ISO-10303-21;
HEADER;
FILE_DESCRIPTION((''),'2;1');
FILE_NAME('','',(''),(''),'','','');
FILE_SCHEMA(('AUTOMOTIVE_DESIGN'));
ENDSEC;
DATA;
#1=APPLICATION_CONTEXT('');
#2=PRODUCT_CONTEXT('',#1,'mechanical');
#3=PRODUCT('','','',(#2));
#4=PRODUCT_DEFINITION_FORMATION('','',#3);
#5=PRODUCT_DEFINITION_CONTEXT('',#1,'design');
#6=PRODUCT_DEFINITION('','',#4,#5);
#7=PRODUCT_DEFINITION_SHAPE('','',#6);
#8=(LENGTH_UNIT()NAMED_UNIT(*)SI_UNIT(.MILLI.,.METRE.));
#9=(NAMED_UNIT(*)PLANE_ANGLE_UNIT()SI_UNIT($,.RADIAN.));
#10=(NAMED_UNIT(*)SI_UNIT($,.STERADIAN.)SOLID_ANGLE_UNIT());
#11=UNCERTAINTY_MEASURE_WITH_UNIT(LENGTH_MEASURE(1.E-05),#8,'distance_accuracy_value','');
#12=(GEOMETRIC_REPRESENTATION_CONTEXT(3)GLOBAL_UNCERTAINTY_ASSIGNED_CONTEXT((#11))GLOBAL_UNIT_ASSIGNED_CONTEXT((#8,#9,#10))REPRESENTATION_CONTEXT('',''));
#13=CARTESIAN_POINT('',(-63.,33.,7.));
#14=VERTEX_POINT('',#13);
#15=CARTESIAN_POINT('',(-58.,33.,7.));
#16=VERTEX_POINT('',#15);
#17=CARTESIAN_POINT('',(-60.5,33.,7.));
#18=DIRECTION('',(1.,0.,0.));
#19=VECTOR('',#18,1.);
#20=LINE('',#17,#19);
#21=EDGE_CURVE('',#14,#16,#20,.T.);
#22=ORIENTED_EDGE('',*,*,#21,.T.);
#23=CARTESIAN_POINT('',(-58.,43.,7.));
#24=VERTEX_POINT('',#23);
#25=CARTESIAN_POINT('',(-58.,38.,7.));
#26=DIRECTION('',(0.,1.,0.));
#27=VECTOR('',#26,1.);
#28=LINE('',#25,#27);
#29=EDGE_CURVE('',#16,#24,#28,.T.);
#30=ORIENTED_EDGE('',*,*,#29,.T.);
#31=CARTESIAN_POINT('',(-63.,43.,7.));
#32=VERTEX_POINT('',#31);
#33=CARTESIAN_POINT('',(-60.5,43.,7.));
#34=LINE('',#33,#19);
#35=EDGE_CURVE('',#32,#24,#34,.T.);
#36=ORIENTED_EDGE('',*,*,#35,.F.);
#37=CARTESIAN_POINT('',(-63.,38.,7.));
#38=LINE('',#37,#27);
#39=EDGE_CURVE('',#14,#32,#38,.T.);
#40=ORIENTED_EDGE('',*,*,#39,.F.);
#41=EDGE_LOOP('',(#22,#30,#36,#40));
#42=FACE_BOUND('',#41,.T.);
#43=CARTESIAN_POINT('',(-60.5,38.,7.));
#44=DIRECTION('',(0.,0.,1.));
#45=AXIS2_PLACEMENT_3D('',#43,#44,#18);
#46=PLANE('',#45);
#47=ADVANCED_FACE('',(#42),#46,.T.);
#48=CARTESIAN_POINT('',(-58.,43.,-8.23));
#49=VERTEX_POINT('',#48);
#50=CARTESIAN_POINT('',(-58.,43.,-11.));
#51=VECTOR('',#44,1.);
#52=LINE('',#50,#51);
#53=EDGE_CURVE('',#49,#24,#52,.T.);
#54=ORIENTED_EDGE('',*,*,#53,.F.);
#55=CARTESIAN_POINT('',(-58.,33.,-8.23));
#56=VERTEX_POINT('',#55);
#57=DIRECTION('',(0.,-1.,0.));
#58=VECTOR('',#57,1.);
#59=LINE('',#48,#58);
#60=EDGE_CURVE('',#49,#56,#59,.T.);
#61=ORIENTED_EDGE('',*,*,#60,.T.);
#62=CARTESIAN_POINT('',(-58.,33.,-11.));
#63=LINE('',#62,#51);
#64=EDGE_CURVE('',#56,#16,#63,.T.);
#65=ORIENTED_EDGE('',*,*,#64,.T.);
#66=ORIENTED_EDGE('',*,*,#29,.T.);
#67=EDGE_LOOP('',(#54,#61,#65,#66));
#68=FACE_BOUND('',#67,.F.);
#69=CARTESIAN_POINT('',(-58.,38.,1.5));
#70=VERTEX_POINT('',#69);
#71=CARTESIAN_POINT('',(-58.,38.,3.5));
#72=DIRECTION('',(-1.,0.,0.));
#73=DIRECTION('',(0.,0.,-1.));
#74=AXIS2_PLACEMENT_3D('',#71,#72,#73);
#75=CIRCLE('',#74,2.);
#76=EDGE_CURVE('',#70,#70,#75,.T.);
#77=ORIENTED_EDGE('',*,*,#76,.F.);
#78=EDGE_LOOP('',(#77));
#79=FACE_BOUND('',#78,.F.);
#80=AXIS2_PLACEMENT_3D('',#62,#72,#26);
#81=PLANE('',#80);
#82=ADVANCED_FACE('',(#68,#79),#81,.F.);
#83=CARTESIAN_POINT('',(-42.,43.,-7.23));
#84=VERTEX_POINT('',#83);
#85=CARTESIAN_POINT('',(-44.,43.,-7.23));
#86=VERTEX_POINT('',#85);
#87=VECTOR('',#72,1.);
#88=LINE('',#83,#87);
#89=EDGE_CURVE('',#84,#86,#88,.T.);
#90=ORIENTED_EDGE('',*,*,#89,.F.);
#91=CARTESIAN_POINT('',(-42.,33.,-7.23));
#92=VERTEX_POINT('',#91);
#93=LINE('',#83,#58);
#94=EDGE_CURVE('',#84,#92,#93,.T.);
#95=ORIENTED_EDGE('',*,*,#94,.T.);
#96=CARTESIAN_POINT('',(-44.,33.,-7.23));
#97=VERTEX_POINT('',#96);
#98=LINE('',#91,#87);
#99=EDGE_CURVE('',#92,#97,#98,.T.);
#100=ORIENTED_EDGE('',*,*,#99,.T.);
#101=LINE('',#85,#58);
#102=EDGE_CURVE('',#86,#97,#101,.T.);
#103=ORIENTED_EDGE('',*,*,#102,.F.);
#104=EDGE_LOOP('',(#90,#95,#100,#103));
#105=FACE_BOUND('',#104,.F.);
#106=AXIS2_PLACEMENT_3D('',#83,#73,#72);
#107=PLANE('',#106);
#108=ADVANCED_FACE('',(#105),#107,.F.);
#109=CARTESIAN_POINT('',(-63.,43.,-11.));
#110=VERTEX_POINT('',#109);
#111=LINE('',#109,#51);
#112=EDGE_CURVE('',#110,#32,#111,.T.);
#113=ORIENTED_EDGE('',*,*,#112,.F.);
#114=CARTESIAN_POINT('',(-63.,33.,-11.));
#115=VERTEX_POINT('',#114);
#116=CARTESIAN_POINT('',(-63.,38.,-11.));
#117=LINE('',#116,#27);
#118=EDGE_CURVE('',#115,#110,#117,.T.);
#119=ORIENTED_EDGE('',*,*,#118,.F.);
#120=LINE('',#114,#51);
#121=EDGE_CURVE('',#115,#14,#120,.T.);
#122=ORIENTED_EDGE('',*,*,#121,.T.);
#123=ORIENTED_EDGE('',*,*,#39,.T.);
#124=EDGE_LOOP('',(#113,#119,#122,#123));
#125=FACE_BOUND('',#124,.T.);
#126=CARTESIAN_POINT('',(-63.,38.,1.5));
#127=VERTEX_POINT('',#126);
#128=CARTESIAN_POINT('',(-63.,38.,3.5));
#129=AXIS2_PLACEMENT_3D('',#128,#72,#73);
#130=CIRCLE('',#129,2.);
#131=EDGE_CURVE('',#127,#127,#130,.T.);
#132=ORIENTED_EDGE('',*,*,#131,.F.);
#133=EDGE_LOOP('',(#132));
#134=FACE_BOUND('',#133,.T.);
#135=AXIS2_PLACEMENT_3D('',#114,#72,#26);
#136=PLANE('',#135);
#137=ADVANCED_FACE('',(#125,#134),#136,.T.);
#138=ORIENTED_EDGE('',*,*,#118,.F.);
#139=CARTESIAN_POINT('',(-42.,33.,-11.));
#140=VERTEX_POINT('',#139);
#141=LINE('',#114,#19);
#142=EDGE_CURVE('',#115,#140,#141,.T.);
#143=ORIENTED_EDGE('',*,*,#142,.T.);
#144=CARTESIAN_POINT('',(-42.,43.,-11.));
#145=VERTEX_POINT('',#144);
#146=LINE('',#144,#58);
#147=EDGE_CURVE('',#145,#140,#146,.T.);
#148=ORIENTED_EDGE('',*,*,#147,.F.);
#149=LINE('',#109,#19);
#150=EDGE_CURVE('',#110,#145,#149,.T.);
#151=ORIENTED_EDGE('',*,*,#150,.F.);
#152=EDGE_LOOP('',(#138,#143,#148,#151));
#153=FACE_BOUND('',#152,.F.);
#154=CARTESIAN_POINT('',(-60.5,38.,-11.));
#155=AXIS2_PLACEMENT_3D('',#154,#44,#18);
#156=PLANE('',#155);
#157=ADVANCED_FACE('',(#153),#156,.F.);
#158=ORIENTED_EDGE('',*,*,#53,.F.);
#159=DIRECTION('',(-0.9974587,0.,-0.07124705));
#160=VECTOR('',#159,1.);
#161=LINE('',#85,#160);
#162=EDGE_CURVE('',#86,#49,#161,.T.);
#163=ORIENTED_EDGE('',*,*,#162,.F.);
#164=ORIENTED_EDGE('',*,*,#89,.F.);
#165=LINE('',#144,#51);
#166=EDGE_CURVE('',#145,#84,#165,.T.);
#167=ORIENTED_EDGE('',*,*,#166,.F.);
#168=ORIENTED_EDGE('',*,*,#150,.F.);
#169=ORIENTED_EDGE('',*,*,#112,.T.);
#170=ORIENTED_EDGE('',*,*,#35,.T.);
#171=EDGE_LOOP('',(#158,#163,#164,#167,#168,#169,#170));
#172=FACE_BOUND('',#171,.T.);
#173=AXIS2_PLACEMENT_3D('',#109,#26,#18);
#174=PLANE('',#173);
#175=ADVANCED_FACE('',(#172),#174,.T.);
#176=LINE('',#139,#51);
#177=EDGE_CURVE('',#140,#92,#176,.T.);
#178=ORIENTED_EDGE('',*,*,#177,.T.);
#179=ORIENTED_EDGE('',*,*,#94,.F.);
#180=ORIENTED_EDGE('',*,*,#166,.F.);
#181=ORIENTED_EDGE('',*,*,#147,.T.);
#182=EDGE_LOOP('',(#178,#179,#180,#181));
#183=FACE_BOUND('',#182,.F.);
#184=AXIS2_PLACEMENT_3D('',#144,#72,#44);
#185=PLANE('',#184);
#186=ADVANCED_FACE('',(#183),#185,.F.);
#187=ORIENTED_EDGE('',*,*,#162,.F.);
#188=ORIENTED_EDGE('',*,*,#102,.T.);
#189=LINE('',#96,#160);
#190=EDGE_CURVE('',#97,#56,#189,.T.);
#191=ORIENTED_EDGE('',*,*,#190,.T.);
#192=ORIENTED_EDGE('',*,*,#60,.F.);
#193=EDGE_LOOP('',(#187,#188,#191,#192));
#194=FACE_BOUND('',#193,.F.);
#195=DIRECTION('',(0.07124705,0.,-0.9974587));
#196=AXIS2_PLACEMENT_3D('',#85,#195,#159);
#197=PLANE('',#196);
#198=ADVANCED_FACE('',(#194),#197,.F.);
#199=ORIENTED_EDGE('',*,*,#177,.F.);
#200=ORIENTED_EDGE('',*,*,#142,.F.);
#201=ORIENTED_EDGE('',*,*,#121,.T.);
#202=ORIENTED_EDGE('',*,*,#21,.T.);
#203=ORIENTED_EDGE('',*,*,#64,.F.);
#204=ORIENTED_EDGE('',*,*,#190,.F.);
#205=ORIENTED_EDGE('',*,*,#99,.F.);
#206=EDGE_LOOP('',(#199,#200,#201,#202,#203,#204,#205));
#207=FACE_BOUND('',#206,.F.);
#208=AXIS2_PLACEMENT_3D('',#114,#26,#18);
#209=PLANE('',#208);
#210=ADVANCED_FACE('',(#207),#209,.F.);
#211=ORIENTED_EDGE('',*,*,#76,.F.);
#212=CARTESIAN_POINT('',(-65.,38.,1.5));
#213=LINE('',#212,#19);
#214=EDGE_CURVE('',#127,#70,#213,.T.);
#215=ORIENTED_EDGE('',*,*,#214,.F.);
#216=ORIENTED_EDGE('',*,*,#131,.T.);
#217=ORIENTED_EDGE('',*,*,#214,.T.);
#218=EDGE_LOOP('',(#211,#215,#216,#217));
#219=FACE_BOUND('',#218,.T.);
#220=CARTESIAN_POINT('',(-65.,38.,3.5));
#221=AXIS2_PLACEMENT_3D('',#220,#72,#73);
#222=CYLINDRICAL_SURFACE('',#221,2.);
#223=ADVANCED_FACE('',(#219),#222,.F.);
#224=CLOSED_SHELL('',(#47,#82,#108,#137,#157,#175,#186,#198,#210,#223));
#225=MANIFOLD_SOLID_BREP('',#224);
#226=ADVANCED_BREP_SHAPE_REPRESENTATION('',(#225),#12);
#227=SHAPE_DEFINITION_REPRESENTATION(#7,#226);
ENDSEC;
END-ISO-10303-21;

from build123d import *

# Parameters (mm, degrees)
CYLINDER003_R     = 2
CYLINDER003_DEPTH = 10
BOX003_W          = 5
BOX003_H          = 10
BOX003_DEPTH      = 18
EXTRUDE001_DEPTH  = 10


with BuildPart() as cylinder003:
    # Cylinder003 → Cylinder003 (new body)
    with BuildSketch(Plane(origin=(-65, -38, 3.5), x_dir=(0, 0, -1), z_dir=(1, 0, 0))):
        Circle(CYLINDER003_R)
    extrude(amount=CYLINDER003_DEPTH)


with BuildPart() as cut003:
    # Box003 → Box003 (new body)
    with BuildSketch(Plane(origin=(-63, -43, -11), x_dir=(1, 0, 0), z_dir=(0, 0, 1))):
        with Locations((2.5, 5)):
            Rectangle(BOX003_W, BOX003_H)
    extrude(amount=BOX003_DEPTH)

    # Cut003: cut Cylinder003
    add(cylinder003.part, mode=Mode.SUBTRACT)


with BuildPart() as fusion002:
    # Sketch001 → Extrude001 (new body)
    with BuildSketch(Plane.XZ):
        Polygon((-49.224583, -10.083495), (-33.224583, -10.083495), (-33.224583, -6.313495), (-35.224583, -6.313495), (-49.224583, -7.313495), align=None)
    extrude(amount=EXTRUDE001_DEPTH)


with BuildPart() as fusion002_1:
    # Extrude001 placement: moved
    add(fusion002.part.moved(Location((-8.775417, -33, -0.916505))))

    # Fusion002: union Cut003
    add(cut003.part)


with BuildPart() as fusion002_2:
    # Fusion002 placement: moved
    add(fusion002_1.part.moved(Location((0, 76, 0))))


solid = fusion002_2.part
